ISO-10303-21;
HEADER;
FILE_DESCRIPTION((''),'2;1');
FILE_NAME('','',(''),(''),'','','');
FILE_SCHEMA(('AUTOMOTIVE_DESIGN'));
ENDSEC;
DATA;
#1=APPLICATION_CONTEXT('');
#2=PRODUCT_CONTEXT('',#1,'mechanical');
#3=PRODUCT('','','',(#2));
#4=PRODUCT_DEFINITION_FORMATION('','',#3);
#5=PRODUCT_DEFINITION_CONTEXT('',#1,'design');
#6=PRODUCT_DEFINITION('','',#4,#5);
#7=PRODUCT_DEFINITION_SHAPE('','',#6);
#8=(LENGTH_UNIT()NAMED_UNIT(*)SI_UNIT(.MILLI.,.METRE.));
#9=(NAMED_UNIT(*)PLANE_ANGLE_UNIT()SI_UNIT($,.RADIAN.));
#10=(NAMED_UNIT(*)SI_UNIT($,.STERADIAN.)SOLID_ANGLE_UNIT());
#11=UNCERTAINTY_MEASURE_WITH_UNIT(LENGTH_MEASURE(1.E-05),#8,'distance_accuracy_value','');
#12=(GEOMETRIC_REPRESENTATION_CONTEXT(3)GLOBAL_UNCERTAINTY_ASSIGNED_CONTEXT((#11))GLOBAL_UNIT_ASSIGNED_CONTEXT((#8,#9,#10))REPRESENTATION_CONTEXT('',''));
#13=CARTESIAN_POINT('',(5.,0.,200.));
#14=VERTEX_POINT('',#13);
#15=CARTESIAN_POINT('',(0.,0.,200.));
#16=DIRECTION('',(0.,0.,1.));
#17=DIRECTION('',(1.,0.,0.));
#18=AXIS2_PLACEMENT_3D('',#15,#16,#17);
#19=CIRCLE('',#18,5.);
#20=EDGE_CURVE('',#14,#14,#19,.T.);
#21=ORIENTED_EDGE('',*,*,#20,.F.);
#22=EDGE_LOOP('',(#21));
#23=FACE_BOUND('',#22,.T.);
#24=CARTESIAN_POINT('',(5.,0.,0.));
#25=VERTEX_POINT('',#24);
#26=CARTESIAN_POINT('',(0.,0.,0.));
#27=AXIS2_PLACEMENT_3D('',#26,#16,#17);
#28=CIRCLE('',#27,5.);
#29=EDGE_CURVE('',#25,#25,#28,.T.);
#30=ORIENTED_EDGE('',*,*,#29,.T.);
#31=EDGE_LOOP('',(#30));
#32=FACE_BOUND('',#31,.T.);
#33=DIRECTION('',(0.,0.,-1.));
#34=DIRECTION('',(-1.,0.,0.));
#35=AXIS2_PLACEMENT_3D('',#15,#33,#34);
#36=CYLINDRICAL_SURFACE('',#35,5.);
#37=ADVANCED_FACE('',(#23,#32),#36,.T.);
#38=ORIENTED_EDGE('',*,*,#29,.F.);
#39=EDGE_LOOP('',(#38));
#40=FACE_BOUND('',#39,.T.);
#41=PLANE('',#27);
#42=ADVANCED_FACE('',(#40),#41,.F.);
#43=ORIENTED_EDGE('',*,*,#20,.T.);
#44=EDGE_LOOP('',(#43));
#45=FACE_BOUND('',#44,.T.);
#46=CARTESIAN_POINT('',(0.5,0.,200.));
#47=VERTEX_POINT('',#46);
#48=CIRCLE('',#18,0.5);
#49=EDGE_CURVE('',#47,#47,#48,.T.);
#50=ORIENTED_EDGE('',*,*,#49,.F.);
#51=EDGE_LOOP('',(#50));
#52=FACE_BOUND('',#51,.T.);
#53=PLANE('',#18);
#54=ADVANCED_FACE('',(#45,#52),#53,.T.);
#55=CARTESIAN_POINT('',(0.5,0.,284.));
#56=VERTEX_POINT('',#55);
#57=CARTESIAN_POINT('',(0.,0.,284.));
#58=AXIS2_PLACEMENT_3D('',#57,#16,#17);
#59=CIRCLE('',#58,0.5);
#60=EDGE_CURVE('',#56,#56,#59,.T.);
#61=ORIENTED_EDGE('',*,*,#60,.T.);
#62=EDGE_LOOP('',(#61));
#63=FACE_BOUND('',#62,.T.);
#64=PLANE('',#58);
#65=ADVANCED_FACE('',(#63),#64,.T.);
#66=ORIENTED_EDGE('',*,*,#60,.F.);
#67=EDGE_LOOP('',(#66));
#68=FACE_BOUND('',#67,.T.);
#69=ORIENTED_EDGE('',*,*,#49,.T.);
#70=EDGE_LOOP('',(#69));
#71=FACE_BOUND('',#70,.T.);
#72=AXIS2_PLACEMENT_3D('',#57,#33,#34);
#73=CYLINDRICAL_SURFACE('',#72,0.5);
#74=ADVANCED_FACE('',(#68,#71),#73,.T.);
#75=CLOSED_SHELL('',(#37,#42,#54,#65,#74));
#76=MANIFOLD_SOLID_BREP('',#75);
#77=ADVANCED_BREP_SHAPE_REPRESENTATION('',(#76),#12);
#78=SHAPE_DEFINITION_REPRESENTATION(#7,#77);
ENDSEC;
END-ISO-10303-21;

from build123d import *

# Parameters (mm, degrees)
SKETCH_1_R      = 5
EXTRUDE_1_DEPTH = 200
SKETCH_2_R      = 0.5
EXTRUDE_2_DEPTH = 84


with BuildPart() as part:
    # 草图1 → 凸台-拉伸1 (new body)
    with BuildSketch(Plane.XY):
        Circle(SKETCH_1_R)
    extrude(amount=EXTRUDE_1_DEPTH)

    # 草图2 → 凸台-拉伸2 (add)
    with BuildSketch(Plane.XY.offset(200)):
        Circle(SKETCH_2_R)
    extrude(amount=EXTRUDE_2_DEPTH)


solid = part.part
